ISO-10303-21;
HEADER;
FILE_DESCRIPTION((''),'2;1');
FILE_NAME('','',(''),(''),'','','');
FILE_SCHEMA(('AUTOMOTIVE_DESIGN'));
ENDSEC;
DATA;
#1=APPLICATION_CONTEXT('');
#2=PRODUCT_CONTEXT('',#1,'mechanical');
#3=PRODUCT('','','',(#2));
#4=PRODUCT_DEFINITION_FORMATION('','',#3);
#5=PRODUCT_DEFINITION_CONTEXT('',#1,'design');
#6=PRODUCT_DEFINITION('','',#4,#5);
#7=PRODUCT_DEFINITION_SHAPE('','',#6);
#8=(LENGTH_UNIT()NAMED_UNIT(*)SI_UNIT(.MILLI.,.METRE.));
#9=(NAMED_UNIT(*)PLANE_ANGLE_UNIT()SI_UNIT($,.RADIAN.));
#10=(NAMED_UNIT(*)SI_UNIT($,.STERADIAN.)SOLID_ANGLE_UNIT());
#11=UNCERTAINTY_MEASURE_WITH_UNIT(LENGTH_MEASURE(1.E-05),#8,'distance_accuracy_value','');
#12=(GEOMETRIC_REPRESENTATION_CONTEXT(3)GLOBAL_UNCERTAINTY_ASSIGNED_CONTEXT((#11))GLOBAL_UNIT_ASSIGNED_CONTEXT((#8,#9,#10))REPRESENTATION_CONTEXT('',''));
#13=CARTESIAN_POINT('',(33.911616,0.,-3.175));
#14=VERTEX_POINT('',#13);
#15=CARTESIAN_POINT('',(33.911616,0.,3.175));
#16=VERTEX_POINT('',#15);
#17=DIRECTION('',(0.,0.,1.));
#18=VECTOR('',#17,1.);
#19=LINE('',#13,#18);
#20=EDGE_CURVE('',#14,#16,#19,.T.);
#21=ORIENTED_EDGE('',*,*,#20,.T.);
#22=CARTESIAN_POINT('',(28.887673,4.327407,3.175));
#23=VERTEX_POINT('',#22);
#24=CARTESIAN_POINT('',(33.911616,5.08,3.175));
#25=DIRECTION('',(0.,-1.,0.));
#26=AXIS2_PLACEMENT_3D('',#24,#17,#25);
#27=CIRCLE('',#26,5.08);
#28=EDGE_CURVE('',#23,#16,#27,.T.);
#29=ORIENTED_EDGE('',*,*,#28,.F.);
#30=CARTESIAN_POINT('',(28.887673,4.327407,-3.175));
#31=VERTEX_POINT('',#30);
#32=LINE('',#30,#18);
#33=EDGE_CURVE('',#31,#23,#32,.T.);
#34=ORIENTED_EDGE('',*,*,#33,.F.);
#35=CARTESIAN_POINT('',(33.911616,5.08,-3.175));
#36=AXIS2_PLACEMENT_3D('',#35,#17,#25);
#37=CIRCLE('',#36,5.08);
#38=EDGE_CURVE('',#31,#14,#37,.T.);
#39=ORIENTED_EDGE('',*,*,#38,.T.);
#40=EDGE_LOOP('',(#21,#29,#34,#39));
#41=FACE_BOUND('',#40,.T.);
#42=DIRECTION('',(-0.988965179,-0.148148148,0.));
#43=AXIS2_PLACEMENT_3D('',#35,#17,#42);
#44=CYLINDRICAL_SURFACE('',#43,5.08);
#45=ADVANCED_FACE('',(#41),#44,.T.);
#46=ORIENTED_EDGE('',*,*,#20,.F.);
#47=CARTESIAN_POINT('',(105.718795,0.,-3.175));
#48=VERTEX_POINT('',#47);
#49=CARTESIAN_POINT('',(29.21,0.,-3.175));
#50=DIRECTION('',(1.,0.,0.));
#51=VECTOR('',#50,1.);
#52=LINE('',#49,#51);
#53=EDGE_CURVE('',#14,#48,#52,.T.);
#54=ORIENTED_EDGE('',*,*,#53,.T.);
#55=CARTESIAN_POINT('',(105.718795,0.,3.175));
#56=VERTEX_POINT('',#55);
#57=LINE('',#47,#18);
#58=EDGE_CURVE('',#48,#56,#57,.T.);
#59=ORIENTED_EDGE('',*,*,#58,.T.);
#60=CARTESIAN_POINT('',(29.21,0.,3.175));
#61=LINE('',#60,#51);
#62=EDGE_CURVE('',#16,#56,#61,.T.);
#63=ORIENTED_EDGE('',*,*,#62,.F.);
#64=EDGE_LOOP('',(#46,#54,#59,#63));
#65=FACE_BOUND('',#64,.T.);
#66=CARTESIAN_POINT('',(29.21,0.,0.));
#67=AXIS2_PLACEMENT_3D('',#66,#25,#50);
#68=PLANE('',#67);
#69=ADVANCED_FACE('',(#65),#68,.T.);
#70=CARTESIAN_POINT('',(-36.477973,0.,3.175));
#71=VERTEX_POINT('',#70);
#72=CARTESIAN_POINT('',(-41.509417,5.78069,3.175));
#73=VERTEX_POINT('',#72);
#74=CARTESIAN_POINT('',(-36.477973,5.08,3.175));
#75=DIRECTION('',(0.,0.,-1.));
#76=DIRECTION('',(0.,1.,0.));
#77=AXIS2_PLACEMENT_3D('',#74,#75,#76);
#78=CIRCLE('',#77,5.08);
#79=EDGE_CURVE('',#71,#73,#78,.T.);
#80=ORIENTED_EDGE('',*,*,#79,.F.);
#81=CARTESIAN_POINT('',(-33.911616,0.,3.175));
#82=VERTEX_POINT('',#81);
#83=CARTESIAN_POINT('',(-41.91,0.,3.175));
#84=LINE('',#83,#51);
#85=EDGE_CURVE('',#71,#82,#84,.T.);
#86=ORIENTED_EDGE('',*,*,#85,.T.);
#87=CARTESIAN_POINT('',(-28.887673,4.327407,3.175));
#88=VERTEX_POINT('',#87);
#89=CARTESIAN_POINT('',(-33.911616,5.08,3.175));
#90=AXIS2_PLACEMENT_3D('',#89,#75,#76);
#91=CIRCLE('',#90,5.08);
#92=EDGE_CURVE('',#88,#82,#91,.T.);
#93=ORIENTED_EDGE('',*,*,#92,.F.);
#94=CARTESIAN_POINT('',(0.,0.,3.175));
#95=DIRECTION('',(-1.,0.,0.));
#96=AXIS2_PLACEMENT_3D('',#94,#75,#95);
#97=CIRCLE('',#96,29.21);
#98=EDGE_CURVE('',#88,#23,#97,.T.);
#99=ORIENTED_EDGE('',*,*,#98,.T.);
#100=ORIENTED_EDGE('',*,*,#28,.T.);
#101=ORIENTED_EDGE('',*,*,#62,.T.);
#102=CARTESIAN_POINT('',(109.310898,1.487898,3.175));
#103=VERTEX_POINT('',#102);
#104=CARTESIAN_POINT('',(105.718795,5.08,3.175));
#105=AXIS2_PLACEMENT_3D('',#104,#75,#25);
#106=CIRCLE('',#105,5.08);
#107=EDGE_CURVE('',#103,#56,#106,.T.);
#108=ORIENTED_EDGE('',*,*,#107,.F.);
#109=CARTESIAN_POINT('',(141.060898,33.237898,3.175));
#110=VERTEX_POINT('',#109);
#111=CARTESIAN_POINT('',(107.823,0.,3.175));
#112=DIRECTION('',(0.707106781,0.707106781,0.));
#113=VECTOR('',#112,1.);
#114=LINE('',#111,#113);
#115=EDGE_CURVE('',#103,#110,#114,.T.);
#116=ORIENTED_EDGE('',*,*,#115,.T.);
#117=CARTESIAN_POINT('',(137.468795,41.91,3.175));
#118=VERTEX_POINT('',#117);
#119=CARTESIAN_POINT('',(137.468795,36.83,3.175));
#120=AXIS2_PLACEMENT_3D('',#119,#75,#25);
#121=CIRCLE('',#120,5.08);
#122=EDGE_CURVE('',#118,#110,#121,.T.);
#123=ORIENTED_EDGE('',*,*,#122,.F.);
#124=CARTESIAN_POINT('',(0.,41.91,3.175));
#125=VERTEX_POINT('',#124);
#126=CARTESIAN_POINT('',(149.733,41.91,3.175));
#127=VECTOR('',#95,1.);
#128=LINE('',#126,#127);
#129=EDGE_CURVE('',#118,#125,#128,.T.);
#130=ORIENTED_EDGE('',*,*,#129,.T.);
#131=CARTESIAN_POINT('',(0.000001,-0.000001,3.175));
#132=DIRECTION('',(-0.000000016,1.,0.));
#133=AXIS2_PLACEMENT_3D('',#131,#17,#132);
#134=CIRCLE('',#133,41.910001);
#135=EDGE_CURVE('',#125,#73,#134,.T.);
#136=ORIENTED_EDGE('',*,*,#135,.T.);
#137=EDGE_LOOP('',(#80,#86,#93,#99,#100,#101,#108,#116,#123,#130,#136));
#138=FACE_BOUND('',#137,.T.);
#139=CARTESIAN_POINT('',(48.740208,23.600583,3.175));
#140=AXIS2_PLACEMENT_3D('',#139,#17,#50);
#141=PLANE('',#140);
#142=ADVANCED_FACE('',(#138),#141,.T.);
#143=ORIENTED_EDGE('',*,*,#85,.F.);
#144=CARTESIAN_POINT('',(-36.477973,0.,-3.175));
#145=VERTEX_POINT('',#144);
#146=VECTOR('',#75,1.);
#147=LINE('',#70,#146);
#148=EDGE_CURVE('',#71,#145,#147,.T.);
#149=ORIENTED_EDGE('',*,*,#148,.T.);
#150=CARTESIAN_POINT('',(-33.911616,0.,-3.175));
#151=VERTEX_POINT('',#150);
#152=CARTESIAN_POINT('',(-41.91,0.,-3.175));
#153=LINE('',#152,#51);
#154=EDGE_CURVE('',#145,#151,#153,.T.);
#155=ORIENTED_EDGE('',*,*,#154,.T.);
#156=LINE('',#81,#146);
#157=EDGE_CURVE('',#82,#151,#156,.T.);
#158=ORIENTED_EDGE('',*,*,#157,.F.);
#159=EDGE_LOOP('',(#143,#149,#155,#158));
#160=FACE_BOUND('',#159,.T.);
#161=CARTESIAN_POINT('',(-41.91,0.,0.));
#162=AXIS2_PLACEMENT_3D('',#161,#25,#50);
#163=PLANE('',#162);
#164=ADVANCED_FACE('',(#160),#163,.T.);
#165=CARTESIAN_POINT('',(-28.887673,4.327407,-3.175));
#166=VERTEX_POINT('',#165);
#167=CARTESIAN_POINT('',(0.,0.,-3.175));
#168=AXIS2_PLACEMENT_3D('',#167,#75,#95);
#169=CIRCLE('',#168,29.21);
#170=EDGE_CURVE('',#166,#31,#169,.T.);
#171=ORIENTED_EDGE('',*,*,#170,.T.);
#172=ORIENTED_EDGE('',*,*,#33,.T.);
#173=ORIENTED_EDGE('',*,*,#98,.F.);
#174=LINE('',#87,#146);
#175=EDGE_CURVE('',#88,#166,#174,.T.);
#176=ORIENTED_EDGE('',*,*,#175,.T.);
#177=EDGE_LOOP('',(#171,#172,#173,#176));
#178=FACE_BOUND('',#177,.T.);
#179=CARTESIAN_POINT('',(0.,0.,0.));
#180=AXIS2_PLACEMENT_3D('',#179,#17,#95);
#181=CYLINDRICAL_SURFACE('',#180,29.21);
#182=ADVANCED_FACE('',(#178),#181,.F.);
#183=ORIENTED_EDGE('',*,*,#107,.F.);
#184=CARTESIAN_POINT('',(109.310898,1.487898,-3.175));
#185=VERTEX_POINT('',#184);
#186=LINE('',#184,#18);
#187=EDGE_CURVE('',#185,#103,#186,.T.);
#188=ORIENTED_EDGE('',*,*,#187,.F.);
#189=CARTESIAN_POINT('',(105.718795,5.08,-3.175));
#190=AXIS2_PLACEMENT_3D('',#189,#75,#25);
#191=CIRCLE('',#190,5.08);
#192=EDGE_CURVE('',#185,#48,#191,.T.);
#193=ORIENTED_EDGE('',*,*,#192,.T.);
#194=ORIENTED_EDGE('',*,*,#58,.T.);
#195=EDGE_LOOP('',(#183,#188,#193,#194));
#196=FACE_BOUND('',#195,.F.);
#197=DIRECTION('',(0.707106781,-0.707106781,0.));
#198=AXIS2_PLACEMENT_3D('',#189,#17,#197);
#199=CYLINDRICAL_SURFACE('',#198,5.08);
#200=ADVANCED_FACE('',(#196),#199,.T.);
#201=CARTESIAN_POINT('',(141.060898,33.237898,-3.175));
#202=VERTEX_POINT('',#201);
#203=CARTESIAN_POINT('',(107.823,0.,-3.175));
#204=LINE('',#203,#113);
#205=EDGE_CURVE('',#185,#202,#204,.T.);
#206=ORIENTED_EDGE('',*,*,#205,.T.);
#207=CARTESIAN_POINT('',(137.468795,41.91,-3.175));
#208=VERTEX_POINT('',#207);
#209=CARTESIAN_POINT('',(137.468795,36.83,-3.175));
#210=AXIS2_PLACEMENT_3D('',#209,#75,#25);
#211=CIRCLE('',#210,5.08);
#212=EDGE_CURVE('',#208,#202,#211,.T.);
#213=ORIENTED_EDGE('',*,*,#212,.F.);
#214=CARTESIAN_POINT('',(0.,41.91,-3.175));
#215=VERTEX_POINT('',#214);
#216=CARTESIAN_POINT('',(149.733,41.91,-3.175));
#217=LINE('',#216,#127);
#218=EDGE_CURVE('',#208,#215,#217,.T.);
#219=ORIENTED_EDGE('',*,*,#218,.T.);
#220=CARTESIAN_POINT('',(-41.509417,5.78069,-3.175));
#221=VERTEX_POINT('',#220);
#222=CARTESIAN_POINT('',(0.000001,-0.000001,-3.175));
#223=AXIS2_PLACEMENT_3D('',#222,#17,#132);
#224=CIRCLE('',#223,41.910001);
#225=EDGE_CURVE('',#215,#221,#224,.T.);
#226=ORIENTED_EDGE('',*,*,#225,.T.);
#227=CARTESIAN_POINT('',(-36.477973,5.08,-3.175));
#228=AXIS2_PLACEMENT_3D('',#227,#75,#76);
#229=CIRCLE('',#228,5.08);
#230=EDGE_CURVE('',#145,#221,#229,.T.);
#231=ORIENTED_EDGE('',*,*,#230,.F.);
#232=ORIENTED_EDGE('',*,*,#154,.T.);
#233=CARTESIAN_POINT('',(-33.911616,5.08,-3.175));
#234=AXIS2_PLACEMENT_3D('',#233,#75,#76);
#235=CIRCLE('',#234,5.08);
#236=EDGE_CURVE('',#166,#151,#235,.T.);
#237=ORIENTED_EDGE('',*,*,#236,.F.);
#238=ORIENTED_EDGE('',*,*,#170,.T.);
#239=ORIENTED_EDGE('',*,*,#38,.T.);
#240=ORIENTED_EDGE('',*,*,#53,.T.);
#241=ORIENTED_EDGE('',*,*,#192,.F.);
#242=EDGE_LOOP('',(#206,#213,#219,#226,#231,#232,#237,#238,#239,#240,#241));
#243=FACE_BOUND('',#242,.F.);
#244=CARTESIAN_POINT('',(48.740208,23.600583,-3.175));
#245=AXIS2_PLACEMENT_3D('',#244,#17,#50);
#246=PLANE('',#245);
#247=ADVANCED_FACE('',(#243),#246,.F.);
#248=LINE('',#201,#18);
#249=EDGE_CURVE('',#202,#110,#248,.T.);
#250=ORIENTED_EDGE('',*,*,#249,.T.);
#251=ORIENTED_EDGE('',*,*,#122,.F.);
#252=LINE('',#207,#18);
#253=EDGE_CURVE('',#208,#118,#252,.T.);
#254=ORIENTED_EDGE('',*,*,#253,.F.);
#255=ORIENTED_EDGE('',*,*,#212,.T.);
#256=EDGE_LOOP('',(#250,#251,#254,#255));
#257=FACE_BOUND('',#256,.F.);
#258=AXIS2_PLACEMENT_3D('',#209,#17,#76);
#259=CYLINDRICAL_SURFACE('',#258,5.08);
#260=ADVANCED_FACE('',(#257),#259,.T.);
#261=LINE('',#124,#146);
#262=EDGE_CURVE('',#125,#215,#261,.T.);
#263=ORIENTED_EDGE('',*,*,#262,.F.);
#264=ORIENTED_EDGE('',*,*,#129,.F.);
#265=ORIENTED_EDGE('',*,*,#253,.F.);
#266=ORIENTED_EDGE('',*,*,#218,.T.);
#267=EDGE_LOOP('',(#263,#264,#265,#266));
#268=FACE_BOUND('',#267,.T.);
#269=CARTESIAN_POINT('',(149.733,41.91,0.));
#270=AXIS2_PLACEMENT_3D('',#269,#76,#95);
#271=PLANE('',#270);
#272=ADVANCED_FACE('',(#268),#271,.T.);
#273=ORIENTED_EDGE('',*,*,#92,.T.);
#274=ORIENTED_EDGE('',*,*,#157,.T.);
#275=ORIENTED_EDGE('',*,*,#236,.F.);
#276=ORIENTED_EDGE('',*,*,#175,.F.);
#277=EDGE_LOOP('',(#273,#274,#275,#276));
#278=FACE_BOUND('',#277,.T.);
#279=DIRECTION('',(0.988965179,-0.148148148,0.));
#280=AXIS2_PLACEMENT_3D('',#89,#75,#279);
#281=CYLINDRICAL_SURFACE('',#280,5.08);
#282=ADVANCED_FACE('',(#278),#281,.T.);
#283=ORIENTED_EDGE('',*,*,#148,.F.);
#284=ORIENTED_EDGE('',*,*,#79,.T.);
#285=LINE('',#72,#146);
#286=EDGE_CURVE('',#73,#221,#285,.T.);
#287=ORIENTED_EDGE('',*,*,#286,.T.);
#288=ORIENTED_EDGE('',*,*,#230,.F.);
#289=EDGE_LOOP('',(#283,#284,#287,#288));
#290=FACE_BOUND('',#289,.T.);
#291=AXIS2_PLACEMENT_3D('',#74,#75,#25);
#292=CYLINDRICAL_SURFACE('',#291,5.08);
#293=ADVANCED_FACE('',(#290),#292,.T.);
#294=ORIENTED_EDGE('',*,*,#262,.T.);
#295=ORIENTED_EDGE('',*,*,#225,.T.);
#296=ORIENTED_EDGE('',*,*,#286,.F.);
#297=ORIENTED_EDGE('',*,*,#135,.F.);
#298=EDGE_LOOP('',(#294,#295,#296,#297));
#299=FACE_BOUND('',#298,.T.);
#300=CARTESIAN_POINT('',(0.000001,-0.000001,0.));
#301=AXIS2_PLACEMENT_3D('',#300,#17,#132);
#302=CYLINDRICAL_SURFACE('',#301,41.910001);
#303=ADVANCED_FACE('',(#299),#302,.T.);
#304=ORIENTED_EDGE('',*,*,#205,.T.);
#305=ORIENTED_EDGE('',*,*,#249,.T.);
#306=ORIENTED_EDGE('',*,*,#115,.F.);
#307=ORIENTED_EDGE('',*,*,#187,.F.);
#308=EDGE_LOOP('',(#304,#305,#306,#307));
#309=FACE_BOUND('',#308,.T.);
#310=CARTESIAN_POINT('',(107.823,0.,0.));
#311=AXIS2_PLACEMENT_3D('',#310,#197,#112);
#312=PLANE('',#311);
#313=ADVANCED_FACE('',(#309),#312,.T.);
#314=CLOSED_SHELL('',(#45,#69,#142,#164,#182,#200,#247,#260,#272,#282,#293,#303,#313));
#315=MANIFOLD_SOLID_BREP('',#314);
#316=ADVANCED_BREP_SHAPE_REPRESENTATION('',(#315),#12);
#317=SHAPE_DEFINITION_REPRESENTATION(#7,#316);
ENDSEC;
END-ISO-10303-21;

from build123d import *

# Parameters (mm, degrees)
F1_DEPTH = 3.175
F2_R     = 5.08


with BuildPart() as f1:
    # F0 (on Top) → F1 (new body, symmetric)
    with BuildSketch(Plane.XY):
        with BuildLine():
            ThreePointArc((-29.21, 0), (0, 29.21), (29.21, 0))
            Line((29.21, 0), (41.91, 0))
            Line((41.91, 0), (107.823, 0))
            Line((107.823, 0), (149.733, 41.91))
            Line((149.733, 41.91), (0, 41.91))
            ThreePointArc((0, 41.91), (-29.634845, 29.634845), (-41.91, 0))
            Line((-41.91, 0), (-29.21, 0))
        make_face()
    extrude(amount=F1_DEPTH, both=True)

    # F2
    f2_edges = [f1.edges().sort_by_distance(p)[0] for p in [
        (149.733, 41.91, 0),
        (107.823, 0, 0),
        (29.21, 0, 0),
        (-29.21, 0, 0),
        (-41.91, 0, 0),
    ]]
    fillet(f2_edges, radius=F2_R)


solid = f1.part
